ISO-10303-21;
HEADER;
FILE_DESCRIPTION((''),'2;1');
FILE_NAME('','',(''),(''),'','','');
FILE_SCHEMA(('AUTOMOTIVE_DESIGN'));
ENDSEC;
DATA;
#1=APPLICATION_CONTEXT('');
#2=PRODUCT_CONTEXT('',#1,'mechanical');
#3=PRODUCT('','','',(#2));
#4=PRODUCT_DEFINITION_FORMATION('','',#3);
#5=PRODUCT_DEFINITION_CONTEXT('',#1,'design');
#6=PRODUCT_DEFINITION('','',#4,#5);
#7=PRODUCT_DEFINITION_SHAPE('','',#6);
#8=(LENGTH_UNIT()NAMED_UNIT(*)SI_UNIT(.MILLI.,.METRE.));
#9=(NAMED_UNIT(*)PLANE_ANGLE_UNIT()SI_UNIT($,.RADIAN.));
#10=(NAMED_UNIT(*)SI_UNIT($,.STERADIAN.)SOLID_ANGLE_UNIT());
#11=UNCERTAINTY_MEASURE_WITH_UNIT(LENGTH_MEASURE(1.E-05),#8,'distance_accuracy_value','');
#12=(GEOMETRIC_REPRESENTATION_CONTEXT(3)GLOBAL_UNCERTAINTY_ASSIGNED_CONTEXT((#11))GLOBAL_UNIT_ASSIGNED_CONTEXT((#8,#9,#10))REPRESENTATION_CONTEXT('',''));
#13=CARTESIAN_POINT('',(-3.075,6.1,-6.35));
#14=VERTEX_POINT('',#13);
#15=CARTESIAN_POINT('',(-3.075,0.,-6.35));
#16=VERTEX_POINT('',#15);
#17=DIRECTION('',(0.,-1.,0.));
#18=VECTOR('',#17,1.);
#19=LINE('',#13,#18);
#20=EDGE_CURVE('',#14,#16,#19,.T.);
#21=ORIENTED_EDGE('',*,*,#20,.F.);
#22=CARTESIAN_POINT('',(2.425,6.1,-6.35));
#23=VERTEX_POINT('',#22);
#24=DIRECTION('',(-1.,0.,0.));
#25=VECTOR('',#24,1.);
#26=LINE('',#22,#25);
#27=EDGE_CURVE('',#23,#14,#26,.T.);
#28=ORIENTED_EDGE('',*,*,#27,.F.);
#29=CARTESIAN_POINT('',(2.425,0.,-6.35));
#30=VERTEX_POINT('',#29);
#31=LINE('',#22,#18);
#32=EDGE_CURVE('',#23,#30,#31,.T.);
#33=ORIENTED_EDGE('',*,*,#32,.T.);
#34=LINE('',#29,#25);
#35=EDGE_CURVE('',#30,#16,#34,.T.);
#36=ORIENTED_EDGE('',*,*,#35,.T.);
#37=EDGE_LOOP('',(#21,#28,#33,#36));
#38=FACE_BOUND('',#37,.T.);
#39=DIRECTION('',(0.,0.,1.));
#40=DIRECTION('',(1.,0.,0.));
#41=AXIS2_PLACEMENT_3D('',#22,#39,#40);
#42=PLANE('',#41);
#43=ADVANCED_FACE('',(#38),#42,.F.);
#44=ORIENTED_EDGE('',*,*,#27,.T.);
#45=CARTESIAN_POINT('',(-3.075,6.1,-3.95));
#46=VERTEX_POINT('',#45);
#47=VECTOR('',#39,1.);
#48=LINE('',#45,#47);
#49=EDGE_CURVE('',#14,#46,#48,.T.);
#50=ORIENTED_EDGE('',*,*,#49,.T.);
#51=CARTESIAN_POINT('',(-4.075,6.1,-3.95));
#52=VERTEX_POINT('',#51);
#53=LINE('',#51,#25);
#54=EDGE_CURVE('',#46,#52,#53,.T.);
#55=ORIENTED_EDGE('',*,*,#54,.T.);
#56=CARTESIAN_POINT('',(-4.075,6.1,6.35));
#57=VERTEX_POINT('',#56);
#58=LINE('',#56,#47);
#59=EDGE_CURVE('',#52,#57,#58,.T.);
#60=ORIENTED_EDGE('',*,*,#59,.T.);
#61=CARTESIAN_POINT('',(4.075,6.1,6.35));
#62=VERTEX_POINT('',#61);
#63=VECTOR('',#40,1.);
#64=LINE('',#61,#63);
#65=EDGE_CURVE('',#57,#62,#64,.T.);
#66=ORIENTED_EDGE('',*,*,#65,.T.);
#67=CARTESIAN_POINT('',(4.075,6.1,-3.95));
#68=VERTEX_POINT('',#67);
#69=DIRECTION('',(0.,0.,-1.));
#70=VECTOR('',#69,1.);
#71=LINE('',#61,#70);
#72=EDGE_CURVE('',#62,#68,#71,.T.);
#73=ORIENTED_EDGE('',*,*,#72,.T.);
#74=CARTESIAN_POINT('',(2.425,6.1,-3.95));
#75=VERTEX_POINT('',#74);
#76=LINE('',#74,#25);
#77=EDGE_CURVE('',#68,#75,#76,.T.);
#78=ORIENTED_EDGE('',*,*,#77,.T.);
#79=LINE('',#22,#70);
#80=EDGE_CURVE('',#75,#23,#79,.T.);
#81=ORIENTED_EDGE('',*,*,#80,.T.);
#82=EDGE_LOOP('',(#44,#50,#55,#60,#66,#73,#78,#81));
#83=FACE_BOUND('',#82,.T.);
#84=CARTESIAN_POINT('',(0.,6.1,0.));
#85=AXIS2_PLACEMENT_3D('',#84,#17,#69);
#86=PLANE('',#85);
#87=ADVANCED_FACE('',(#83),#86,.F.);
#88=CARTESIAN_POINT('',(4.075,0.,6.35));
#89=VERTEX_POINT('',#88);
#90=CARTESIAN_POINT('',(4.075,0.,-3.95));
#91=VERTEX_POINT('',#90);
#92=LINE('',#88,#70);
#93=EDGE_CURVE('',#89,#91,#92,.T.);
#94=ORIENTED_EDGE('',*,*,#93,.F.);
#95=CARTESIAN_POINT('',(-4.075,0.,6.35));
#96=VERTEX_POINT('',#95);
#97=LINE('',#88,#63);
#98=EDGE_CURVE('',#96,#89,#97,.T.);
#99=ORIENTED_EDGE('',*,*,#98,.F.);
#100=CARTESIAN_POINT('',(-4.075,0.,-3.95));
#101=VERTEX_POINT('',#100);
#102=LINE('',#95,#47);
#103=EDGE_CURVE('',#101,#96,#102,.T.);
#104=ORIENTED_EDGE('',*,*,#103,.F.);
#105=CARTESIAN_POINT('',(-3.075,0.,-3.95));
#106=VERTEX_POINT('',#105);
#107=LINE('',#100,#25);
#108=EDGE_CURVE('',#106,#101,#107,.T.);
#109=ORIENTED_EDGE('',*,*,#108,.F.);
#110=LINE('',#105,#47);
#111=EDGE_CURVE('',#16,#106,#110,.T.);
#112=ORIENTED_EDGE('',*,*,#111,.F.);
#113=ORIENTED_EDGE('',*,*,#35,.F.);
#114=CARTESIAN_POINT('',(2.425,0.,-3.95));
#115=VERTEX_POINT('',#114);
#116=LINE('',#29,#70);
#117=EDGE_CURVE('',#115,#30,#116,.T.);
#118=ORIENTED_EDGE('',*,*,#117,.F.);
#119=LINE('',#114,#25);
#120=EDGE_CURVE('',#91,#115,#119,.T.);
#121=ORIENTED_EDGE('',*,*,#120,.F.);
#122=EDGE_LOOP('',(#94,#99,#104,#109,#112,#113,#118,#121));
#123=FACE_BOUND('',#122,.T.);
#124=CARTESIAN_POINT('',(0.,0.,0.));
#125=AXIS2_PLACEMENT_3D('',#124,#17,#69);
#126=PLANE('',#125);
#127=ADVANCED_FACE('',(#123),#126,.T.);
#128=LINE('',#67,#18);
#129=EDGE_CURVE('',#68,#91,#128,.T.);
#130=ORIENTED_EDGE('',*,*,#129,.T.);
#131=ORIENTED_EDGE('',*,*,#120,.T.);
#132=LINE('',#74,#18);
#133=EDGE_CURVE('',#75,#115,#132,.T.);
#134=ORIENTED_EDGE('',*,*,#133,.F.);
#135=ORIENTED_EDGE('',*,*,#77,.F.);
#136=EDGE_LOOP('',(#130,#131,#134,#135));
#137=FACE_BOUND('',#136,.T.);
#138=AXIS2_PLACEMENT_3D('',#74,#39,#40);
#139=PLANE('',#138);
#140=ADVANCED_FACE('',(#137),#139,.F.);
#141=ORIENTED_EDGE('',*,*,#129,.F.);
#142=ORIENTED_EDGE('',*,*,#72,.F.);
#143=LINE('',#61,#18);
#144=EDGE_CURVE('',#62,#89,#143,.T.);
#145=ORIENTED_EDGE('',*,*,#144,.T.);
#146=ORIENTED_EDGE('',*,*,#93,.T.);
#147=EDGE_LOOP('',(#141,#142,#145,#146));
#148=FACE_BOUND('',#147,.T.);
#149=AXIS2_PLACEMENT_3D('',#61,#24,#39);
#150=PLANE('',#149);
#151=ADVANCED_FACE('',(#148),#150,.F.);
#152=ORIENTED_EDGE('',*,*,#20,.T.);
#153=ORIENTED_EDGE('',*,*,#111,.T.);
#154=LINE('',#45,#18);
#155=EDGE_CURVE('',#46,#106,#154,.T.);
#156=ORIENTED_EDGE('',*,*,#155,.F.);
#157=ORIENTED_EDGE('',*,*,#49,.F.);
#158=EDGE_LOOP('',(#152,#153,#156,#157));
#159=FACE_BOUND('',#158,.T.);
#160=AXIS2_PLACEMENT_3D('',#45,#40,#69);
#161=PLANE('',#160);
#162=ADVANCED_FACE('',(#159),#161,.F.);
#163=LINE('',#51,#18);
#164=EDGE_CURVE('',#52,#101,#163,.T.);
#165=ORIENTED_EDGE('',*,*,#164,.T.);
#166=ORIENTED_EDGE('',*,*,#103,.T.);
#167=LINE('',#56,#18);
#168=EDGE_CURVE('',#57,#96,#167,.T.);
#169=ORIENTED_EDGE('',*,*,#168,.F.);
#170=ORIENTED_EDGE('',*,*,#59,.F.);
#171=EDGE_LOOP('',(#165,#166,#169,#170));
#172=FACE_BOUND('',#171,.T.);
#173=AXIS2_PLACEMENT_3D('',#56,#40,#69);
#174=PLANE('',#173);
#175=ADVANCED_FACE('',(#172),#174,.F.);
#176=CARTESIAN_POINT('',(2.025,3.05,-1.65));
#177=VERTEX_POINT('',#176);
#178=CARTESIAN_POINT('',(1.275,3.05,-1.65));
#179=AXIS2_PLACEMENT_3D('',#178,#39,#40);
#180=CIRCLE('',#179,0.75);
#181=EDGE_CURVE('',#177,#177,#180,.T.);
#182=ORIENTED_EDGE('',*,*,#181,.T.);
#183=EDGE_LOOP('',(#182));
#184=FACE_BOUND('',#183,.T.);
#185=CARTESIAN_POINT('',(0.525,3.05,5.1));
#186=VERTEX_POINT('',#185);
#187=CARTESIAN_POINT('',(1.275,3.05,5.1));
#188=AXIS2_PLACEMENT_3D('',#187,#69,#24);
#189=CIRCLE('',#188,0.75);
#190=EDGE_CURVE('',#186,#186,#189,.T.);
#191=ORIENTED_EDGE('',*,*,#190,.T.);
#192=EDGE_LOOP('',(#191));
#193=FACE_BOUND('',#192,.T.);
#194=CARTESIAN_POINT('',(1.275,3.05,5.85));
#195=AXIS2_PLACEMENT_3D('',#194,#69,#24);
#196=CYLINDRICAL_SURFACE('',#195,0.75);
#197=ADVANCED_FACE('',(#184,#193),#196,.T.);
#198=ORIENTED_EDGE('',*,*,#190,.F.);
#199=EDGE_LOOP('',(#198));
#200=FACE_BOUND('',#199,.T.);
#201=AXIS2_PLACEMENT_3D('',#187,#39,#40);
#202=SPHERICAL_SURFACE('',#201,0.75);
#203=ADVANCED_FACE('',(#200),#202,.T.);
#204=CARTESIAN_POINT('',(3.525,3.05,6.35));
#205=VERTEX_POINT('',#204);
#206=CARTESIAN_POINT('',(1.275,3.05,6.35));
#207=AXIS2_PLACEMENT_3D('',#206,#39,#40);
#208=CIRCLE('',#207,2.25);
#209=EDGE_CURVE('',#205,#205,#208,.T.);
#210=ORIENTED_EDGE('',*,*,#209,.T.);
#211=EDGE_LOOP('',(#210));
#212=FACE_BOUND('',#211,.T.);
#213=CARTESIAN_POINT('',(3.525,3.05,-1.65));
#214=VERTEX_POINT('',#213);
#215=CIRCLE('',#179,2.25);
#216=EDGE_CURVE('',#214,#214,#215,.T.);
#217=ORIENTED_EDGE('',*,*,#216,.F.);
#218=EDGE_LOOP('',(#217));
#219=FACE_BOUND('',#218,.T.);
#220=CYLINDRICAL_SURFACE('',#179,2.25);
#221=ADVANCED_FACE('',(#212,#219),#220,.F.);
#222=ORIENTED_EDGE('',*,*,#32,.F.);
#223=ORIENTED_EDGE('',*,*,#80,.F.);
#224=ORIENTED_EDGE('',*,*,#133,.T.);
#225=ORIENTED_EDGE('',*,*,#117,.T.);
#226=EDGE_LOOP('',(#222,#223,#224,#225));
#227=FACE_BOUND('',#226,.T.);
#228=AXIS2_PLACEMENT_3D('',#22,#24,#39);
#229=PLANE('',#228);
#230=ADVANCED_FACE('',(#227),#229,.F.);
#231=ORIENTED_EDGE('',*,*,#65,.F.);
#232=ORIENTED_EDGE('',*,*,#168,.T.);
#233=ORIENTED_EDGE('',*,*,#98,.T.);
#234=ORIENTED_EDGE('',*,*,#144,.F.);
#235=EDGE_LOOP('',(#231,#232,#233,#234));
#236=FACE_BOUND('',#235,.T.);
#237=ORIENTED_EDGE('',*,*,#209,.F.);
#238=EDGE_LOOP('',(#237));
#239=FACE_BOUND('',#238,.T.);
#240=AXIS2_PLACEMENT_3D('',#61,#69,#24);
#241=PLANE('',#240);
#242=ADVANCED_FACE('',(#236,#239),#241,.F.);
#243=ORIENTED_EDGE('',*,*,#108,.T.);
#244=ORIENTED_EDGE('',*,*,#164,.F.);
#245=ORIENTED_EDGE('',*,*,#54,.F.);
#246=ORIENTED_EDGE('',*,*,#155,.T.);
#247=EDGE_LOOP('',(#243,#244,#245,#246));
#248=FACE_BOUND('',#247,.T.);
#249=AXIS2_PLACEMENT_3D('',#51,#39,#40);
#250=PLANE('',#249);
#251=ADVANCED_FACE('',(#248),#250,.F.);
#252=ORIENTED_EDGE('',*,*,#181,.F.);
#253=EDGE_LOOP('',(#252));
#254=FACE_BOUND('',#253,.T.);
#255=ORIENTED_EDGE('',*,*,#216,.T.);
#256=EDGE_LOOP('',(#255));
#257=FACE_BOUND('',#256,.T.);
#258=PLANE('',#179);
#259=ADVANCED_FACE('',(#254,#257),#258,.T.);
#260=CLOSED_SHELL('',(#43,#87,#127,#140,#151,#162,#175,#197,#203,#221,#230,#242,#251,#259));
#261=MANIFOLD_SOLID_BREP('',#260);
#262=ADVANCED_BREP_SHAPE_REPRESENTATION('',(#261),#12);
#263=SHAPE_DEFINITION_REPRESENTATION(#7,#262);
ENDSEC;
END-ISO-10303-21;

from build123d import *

# Parameters (mm, degrees)
EXTRUDE_1_DEPTH     = 6.1
SKETCH_2_R          = 2.25
CUT_EXTRUDE_1_DEPTH = 8
SKETCH_3_R          = 0.75
EXTRUDE_2_DEPTH     = 7.5
FILLET_1_R          = 0.75


with BuildPart() as part:
    # Эскиз1 → Бобышка-Вытянуть1 (new body)
    with BuildSketch(Plane(origin=(0, 0, 0), x_dir=(1, 0, 0), z_dir=(0, 1, 0))):
        Polygon((-4.075, 3.95), (-3.075, 3.95), (-3.075, 6.35), (2.425, 6.35), (2.425, 3.95), (4.075, 3.95), (4.075, -6.35), (-4.075, -6.35), align=None)
    extrude(amount=EXTRUDE_1_DEPTH)

    # Эскиз2 → Вырез-Вытянуть1 (cut)
    with BuildSketch(Plane.XY.offset(6.35)):
        with Locations((1.275, 3.05)):
            Circle(SKETCH_2_R)
    extrude(amount=-CUT_EXTRUDE_1_DEPTH, mode=Mode.SUBTRACT)

    # Эскиз3 → Бобышка-Вытянуть2 (add)
    with BuildSketch(Plane.XY.offset(-1.65)):
        with Locations((1.275, 3.05)):
            Circle(SKETCH_3_R)
    extrude(amount=EXTRUDE_2_DEPTH)

    # Скругление1
    fillet_1_edges = [part.edges().sort_by_distance(p)[0] for p in [
        (0.525, 3.05, 5.85),
    ]]
    fillet(fillet_1_edges, radius=FILLET_1_R)


solid = part.part
